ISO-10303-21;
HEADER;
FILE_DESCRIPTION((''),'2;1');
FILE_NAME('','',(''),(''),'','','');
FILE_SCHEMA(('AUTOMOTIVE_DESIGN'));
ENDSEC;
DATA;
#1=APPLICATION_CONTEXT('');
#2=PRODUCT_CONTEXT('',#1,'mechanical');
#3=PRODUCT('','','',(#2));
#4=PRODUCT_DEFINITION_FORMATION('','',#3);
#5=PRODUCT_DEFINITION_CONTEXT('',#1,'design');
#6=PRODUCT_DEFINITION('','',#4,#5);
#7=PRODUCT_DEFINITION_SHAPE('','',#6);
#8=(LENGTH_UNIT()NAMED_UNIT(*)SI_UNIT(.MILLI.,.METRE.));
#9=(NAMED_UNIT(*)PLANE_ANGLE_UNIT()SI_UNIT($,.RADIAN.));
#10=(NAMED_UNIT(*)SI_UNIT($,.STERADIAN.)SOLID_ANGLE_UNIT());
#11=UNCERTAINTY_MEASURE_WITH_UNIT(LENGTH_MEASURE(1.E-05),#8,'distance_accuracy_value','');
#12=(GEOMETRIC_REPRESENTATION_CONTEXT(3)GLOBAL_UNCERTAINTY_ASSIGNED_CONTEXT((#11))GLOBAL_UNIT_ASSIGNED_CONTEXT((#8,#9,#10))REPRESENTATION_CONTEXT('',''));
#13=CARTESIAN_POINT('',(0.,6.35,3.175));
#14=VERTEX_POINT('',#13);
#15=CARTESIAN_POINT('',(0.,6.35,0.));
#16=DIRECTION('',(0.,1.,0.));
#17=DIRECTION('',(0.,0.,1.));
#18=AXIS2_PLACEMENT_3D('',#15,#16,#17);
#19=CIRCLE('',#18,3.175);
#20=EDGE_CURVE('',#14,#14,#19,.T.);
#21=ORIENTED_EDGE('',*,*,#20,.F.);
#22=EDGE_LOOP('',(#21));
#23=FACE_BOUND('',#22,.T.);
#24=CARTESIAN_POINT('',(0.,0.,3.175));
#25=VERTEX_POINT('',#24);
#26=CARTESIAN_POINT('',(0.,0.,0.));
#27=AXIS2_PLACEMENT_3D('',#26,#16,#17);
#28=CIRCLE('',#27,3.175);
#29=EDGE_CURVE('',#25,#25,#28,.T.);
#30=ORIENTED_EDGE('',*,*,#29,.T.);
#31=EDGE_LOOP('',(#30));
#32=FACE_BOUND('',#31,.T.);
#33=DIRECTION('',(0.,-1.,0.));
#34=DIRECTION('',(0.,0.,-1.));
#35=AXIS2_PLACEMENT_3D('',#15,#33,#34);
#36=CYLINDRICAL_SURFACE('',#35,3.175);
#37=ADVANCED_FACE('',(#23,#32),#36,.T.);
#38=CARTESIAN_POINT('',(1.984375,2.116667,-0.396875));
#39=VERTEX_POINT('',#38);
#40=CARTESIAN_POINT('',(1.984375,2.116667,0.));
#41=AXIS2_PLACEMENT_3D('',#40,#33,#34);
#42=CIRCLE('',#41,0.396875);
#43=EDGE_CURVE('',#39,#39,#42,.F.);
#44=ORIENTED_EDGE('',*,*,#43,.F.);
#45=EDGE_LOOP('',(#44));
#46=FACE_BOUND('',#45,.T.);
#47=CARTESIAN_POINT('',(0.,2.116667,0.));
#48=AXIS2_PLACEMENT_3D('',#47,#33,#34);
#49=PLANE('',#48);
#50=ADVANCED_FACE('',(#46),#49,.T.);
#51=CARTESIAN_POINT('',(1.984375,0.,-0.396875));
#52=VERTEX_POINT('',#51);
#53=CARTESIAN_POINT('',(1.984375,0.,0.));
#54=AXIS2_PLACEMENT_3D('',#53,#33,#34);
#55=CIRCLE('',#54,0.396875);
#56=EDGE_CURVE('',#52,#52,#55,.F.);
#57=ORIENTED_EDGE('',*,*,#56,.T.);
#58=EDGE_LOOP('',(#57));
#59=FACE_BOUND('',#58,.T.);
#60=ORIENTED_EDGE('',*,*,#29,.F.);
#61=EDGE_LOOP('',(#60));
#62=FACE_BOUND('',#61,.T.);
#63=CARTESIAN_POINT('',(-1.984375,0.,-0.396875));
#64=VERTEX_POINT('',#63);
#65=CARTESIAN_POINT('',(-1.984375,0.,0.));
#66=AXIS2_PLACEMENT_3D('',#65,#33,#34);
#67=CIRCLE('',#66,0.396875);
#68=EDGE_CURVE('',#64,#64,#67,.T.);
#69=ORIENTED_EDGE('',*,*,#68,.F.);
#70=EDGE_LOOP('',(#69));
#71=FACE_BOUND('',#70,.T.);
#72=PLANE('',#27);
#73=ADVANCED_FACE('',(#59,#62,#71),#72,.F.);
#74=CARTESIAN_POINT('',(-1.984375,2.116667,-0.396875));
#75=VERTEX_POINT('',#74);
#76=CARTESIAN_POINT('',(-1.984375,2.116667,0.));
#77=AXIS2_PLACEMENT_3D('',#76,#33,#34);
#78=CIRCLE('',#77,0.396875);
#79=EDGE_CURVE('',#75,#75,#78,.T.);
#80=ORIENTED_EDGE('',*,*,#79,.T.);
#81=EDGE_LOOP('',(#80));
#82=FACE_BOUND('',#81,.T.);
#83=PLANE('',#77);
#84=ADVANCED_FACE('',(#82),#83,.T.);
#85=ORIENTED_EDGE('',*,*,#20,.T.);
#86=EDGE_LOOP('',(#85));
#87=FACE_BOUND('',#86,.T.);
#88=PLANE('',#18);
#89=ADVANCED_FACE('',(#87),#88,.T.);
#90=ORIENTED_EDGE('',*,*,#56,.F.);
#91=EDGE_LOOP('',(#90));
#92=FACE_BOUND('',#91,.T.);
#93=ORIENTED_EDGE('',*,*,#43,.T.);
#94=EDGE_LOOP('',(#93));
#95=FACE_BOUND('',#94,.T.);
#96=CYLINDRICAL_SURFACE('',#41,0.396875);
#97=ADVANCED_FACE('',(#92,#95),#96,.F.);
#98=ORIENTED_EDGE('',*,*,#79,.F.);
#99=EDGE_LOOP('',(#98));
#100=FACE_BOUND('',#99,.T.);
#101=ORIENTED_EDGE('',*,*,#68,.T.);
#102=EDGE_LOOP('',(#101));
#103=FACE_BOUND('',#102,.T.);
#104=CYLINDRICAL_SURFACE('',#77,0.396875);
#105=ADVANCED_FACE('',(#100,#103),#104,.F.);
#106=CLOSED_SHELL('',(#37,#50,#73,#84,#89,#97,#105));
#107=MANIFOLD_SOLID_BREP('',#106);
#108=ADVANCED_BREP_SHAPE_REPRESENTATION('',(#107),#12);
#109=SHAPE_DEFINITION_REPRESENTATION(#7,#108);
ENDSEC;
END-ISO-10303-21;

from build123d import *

# Parameters (mm, degrees)
SKETCH1_R           = 3.175
BOSS_EXTRUDE1_DEPTH = 6.35
SKETCH2_R           = 0.396875
CUT_EXTRUDE1_DEPTH  = 2.116666667


with BuildPart() as part:
    # Sketch1 → Boss-Extrude1 (new body)
    with BuildSketch(Plane(origin=(0, 0, 0), x_dir=(1, 0, 0), z_dir=(0, 1, 0))):
        with Locations(Location((0, 0, 0), (0, 0, 270))):
            Circle(SKETCH1_R)
    extrude(amount=BOSS_EXTRUDE1_DEPTH)

    # Sketch2 → Cut-Extrude1 (cut)
    with BuildSketch(Plane.XZ):
        with Locations(Location((1.984375, 0, 0), (0, 0, 270))):
            Circle(SKETCH2_R)
        with Locations(Location((-1.984375, 0, 0), (0, 0, 270))):
            Circle(SKETCH2_R)
    extrude(amount=-CUT_EXTRUDE1_DEPTH, mode=Mode.SUBTRACT)


solid = part.part
